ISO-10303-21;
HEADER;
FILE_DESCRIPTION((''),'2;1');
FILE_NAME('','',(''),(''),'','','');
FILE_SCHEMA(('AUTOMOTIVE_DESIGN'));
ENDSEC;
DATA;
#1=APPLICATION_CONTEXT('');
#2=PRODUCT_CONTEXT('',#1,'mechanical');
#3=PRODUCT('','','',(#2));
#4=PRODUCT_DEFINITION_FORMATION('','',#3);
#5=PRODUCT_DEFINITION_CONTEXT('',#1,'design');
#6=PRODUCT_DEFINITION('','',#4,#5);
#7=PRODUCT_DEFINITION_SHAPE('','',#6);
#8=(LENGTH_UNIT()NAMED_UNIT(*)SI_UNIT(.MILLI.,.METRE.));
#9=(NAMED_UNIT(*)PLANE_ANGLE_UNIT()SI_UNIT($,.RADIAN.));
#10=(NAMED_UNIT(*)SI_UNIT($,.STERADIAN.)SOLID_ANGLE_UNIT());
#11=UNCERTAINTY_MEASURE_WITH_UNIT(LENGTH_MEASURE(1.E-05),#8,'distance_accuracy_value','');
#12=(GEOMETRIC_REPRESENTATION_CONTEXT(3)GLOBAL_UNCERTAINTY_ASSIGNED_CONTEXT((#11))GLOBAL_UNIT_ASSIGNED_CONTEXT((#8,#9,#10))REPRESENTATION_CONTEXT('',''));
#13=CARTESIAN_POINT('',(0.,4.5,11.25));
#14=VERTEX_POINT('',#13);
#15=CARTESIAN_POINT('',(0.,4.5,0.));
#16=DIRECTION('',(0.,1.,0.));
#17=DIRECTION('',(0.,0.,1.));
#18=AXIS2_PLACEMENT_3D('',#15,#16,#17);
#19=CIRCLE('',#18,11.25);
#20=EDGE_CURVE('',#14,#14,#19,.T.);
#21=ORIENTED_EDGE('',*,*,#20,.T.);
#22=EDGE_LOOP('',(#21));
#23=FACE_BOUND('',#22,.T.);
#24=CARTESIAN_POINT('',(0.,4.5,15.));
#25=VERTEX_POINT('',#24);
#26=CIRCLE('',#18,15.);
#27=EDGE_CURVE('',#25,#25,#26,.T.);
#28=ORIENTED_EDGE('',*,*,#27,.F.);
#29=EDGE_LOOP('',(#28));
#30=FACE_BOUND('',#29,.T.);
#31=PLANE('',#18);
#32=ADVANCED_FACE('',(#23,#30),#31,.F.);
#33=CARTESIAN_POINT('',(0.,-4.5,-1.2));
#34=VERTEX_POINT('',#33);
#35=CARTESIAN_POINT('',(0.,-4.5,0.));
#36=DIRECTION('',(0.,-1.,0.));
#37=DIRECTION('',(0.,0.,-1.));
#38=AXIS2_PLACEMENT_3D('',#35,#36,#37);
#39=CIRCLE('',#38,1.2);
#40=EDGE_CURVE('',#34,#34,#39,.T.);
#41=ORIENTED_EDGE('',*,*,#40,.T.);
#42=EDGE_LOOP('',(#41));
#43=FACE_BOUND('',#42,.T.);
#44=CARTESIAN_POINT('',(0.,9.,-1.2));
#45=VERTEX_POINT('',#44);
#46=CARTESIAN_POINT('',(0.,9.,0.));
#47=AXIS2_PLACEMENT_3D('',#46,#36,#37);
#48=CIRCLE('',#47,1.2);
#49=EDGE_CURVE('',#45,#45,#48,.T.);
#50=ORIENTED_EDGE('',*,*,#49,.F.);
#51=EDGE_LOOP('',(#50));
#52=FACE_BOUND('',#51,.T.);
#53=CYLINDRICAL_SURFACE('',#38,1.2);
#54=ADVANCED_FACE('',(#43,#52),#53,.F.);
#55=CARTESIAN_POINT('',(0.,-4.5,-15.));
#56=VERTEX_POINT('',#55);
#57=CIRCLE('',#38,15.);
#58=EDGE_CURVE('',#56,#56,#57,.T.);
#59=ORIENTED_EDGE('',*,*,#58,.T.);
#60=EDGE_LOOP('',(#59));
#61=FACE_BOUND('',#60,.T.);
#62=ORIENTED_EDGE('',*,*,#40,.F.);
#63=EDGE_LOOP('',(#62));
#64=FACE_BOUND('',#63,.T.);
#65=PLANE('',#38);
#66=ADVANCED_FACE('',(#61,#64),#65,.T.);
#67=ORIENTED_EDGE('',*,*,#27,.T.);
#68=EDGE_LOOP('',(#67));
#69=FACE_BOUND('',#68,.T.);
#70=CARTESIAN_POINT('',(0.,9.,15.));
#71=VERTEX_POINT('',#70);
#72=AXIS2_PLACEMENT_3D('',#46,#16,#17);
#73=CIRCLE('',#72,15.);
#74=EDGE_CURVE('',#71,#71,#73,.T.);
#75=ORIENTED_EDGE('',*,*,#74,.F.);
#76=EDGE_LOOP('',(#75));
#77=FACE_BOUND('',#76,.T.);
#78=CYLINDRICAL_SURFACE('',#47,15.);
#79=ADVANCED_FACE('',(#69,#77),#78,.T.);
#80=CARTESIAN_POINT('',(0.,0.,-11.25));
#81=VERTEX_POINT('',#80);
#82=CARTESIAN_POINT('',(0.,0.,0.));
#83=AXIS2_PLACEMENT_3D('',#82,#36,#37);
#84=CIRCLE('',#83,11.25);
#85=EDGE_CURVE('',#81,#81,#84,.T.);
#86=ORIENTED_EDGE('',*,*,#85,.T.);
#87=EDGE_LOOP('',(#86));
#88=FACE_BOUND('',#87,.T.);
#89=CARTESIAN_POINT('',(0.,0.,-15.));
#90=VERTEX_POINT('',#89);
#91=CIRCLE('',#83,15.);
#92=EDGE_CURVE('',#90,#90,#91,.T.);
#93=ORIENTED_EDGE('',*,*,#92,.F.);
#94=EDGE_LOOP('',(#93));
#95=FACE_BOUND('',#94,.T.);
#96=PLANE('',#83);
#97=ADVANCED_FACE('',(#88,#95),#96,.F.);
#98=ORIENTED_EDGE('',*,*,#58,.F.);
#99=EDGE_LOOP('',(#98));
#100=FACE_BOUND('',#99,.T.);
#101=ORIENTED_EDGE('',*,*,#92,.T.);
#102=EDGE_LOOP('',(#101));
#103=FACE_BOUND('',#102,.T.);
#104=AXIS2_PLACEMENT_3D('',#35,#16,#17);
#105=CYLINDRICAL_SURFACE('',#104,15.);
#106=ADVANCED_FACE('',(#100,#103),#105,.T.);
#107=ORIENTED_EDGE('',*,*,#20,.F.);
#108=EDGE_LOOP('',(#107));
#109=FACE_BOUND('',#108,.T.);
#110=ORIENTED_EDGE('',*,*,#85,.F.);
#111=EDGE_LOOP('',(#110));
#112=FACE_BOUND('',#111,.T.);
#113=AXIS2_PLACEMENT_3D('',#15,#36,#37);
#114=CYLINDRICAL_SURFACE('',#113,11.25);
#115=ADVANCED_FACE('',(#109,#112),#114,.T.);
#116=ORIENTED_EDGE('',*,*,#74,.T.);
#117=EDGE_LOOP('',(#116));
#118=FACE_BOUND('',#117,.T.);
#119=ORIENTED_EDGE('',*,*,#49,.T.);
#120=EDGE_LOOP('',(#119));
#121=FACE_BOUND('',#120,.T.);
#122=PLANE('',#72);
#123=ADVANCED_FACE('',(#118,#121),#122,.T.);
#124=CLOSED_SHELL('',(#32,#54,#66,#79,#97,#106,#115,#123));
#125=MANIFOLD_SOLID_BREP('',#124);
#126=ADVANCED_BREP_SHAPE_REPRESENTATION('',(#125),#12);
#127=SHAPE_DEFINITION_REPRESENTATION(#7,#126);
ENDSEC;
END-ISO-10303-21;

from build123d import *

# Parameters (mm, degrees)
SKETCH1_R            = 11.25
BOSS_EXTRUDE1_DEPTH  = 4.5
SKETCH2_R            = 15
BOSS_EXTRUDE2_DEPTH  = 4.5
SKETCH3_R            = 15
BOSS_EXTRUDE3_DEPTH  = 4.5
M2_CLEARANCE_HOLE1_D = 2.4


with BuildPart() as part:
    # Sketch1 → Boss-Extrude1 (new body)
    with BuildSketch(Plane(origin=(0, 0, 0), x_dir=(1, 0, 0), z_dir=(0, 1, 0))):
        Circle(SKETCH1_R)
    extrude(amount=BOSS_EXTRUDE1_DEPTH)

    # Sketch2 → Boss-Extrude2 (add)
    with BuildSketch(Plane(origin=(0, 4.5, 0), x_dir=(1, 0, 0), z_dir=(0, 1, 0))):
        Circle(SKETCH2_R)
    extrude(amount=BOSS_EXTRUDE2_DEPTH)

    # Sketch3 → Boss-Extrude3 (add)
    with BuildSketch(Plane(origin=(0, 0, 0), x_dir=(-1, 0, 0), z_dir=(0, -1, 0))):
        Circle(SKETCH3_R)
    extrude(amount=BOSS_EXTRUDE3_DEPTH)

    # M2 Clearance Hole1 (through all)
    with Locations(Plane(origin=(0, -4.5, 0), x_dir=(-1, 0, 0), z_dir=(0, -1, 0))):
        with Locations((0, 0)):
            Hole(M2_CLEARANCE_HOLE1_D / 2)


solid = part.part
